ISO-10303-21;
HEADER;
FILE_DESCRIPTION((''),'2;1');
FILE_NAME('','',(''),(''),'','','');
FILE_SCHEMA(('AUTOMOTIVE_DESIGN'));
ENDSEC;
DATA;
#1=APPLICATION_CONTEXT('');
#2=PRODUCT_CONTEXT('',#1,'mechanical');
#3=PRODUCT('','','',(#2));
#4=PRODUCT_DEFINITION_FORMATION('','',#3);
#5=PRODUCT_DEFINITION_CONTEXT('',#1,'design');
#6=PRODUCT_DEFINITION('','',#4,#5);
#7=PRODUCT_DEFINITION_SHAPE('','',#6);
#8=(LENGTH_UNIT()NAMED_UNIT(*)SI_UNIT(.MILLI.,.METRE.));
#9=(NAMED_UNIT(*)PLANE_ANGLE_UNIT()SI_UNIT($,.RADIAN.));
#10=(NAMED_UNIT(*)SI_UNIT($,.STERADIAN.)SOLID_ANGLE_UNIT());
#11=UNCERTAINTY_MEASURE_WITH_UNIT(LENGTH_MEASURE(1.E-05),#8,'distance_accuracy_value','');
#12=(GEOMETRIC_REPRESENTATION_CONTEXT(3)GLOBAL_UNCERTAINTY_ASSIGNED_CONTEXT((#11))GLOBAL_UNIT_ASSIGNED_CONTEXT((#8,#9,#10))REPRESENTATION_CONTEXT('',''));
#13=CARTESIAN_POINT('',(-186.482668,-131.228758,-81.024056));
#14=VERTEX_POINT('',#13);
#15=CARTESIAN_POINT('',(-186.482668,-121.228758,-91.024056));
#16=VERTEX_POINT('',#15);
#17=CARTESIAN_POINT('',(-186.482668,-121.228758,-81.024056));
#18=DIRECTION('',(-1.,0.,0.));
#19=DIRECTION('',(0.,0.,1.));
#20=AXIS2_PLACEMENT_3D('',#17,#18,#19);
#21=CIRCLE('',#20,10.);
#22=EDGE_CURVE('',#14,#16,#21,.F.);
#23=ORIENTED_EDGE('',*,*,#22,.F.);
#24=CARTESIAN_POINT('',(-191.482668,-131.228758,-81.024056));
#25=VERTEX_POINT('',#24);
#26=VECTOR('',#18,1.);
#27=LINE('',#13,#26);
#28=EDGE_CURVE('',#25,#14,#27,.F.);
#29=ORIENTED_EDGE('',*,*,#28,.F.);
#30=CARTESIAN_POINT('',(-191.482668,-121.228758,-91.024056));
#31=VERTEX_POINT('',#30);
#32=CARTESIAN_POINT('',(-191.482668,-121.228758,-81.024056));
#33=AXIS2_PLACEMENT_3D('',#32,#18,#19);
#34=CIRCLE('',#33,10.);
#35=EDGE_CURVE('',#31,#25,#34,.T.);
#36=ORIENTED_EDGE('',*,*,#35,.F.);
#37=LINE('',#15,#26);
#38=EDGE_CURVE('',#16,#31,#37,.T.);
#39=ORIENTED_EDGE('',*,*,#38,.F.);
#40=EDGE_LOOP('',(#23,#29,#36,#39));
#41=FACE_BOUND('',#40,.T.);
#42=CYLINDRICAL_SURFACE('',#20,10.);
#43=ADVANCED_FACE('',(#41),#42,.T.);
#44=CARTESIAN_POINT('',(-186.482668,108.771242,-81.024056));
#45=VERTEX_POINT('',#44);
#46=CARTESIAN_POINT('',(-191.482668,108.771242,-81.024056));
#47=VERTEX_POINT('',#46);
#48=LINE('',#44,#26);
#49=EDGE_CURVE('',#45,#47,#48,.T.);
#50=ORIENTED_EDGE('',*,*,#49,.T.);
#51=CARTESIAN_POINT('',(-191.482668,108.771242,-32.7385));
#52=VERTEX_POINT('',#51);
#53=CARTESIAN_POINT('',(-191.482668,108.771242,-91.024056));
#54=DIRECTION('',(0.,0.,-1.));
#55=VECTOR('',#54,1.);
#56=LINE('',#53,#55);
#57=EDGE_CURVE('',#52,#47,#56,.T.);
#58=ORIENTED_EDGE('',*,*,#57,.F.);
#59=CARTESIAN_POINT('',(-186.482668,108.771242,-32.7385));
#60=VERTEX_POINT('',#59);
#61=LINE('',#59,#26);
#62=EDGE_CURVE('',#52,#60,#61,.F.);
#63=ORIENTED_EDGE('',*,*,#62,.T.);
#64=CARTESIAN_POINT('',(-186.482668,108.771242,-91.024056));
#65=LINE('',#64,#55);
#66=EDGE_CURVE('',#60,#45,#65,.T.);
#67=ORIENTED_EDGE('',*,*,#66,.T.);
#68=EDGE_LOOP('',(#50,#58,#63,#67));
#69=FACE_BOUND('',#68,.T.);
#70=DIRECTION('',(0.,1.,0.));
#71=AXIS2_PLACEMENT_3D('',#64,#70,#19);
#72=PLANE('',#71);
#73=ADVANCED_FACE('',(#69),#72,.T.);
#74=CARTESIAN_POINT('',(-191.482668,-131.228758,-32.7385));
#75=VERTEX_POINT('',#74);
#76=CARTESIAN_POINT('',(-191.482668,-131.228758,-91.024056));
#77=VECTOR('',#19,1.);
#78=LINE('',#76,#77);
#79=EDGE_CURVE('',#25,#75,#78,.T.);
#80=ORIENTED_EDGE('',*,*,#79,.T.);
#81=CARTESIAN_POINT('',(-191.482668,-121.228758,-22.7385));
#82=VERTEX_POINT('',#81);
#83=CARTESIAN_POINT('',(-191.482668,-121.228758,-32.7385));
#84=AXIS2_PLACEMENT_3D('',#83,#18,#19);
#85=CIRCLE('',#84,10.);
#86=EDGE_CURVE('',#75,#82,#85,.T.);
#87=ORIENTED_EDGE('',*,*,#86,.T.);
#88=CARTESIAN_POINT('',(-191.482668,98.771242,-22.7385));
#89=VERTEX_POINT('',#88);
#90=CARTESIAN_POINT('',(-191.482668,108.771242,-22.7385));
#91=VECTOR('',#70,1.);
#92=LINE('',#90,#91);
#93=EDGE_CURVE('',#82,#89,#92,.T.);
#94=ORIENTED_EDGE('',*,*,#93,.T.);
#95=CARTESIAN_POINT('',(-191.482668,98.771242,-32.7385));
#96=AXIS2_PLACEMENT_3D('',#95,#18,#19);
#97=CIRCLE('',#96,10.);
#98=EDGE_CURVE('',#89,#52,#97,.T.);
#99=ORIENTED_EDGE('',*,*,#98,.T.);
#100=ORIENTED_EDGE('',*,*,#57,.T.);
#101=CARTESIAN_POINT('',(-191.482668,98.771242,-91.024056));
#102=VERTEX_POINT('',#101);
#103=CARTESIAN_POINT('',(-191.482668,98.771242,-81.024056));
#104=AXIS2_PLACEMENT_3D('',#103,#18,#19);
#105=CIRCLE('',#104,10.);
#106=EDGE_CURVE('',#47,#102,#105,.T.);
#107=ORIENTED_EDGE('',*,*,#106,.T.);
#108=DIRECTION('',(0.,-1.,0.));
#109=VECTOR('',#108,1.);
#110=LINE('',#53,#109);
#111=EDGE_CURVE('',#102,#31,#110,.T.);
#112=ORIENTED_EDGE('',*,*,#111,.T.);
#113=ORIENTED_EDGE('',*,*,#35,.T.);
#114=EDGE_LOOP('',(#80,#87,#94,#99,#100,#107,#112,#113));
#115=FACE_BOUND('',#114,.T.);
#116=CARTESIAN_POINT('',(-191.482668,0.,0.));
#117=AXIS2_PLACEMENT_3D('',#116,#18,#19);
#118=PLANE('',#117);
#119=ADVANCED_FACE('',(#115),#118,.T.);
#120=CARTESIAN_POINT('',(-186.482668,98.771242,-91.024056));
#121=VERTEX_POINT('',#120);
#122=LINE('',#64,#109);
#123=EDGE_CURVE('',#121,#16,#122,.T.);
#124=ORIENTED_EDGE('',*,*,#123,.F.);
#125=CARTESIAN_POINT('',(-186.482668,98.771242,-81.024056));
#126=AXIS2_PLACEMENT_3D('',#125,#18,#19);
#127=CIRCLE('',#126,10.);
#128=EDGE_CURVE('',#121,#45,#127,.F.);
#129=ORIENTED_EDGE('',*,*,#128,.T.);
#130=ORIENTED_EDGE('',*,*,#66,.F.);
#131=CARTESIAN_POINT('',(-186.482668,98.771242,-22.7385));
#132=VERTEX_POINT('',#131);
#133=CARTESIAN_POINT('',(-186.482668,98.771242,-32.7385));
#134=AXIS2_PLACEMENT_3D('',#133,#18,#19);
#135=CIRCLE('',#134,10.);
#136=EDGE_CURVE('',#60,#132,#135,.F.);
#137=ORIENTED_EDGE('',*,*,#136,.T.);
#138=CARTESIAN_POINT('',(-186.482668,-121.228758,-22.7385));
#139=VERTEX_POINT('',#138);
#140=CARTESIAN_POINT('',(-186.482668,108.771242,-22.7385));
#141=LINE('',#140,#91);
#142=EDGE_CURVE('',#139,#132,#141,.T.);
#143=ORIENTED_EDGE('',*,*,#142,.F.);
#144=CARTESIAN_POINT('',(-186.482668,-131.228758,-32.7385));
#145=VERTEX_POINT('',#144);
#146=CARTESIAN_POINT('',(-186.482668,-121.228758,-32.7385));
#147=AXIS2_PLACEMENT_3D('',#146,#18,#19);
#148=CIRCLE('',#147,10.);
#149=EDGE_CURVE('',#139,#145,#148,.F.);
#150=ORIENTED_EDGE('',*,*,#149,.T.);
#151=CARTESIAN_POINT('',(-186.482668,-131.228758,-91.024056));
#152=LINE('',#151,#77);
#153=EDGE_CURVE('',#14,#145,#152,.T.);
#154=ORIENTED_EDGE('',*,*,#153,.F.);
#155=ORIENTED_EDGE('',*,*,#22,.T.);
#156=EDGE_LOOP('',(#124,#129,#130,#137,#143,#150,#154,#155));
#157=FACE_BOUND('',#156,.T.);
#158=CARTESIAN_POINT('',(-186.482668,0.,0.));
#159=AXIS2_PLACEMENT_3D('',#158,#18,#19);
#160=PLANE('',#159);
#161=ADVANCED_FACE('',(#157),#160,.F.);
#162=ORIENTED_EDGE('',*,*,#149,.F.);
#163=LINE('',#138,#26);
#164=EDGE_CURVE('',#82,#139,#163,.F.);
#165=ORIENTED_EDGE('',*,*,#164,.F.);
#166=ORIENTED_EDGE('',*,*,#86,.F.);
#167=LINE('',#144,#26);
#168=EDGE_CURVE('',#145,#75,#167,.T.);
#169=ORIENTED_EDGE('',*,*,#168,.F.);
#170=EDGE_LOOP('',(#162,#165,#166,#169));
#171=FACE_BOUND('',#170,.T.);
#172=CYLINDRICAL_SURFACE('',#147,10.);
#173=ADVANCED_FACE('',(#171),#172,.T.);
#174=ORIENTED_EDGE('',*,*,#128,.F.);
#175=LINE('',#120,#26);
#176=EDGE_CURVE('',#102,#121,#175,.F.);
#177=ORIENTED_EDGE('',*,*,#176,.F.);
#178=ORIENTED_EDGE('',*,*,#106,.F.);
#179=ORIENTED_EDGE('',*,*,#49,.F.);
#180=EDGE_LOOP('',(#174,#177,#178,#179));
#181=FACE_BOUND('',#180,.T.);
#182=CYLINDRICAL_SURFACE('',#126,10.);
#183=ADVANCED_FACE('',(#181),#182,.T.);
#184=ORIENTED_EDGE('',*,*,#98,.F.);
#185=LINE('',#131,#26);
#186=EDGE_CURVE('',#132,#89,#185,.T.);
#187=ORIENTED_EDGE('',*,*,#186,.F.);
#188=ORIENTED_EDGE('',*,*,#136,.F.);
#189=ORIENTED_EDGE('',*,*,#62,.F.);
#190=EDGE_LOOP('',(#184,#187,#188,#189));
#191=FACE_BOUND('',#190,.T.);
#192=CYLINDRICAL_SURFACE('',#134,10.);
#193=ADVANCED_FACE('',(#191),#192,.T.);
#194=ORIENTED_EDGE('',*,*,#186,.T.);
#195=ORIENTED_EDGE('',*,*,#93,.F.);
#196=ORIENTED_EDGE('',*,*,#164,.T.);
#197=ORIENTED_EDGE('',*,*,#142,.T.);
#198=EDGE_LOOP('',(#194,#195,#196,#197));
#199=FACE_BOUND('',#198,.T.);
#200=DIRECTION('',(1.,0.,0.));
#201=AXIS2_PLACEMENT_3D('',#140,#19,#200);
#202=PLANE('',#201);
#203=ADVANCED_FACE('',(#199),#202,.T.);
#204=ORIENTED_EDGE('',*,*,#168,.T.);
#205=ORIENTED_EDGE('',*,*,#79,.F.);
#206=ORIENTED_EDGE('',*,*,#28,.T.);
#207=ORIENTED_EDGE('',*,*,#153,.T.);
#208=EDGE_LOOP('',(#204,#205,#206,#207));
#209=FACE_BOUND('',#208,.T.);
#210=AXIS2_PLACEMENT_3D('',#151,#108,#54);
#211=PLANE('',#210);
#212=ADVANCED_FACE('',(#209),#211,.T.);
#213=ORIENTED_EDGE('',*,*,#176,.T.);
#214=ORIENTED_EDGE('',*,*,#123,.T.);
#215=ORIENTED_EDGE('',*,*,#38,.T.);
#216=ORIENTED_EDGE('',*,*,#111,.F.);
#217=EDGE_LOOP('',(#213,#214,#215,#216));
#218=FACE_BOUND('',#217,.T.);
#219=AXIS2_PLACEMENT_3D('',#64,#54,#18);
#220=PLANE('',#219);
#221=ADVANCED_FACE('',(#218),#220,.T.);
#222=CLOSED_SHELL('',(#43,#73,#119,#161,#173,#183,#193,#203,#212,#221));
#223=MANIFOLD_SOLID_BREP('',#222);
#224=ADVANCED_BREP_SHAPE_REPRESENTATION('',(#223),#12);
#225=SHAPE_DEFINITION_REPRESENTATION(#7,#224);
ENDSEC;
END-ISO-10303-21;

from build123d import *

# Parameters (mm, degrees)
SKETCH1_W           = 68.285556752
SKETCH1_H           = 240
BOSS_EXTRUDE1_DEPTH = 5
FILLET1_R           = 10


with BuildPart() as part:
    # Sketch1 → Boss-Extrude1 (new body)
    with BuildSketch(Plane.ZY.offset(191.482668327)):
        with Locations((-56.88127805, -11.228757924)):
            Rectangle(SKETCH1_W, SKETCH1_H)
    extrude(amount=-BOSS_EXTRUDE1_DEPTH)

    # Fillet1
    fillet1_edges = [part.edges().sort_by_distance(p)[0] for p in [
        (-188.982668327, 108.771242076, -91.024056426),
        (-188.982668327, 108.771242076, -22.738499674),
        (-188.982668327, -131.228757924, -22.738499674),
        (-188.982668327, -131.228757924, -91.024056426),
    ]]
    fillet(fillet1_edges, radius=FILLET1_R)


solid = part.part
